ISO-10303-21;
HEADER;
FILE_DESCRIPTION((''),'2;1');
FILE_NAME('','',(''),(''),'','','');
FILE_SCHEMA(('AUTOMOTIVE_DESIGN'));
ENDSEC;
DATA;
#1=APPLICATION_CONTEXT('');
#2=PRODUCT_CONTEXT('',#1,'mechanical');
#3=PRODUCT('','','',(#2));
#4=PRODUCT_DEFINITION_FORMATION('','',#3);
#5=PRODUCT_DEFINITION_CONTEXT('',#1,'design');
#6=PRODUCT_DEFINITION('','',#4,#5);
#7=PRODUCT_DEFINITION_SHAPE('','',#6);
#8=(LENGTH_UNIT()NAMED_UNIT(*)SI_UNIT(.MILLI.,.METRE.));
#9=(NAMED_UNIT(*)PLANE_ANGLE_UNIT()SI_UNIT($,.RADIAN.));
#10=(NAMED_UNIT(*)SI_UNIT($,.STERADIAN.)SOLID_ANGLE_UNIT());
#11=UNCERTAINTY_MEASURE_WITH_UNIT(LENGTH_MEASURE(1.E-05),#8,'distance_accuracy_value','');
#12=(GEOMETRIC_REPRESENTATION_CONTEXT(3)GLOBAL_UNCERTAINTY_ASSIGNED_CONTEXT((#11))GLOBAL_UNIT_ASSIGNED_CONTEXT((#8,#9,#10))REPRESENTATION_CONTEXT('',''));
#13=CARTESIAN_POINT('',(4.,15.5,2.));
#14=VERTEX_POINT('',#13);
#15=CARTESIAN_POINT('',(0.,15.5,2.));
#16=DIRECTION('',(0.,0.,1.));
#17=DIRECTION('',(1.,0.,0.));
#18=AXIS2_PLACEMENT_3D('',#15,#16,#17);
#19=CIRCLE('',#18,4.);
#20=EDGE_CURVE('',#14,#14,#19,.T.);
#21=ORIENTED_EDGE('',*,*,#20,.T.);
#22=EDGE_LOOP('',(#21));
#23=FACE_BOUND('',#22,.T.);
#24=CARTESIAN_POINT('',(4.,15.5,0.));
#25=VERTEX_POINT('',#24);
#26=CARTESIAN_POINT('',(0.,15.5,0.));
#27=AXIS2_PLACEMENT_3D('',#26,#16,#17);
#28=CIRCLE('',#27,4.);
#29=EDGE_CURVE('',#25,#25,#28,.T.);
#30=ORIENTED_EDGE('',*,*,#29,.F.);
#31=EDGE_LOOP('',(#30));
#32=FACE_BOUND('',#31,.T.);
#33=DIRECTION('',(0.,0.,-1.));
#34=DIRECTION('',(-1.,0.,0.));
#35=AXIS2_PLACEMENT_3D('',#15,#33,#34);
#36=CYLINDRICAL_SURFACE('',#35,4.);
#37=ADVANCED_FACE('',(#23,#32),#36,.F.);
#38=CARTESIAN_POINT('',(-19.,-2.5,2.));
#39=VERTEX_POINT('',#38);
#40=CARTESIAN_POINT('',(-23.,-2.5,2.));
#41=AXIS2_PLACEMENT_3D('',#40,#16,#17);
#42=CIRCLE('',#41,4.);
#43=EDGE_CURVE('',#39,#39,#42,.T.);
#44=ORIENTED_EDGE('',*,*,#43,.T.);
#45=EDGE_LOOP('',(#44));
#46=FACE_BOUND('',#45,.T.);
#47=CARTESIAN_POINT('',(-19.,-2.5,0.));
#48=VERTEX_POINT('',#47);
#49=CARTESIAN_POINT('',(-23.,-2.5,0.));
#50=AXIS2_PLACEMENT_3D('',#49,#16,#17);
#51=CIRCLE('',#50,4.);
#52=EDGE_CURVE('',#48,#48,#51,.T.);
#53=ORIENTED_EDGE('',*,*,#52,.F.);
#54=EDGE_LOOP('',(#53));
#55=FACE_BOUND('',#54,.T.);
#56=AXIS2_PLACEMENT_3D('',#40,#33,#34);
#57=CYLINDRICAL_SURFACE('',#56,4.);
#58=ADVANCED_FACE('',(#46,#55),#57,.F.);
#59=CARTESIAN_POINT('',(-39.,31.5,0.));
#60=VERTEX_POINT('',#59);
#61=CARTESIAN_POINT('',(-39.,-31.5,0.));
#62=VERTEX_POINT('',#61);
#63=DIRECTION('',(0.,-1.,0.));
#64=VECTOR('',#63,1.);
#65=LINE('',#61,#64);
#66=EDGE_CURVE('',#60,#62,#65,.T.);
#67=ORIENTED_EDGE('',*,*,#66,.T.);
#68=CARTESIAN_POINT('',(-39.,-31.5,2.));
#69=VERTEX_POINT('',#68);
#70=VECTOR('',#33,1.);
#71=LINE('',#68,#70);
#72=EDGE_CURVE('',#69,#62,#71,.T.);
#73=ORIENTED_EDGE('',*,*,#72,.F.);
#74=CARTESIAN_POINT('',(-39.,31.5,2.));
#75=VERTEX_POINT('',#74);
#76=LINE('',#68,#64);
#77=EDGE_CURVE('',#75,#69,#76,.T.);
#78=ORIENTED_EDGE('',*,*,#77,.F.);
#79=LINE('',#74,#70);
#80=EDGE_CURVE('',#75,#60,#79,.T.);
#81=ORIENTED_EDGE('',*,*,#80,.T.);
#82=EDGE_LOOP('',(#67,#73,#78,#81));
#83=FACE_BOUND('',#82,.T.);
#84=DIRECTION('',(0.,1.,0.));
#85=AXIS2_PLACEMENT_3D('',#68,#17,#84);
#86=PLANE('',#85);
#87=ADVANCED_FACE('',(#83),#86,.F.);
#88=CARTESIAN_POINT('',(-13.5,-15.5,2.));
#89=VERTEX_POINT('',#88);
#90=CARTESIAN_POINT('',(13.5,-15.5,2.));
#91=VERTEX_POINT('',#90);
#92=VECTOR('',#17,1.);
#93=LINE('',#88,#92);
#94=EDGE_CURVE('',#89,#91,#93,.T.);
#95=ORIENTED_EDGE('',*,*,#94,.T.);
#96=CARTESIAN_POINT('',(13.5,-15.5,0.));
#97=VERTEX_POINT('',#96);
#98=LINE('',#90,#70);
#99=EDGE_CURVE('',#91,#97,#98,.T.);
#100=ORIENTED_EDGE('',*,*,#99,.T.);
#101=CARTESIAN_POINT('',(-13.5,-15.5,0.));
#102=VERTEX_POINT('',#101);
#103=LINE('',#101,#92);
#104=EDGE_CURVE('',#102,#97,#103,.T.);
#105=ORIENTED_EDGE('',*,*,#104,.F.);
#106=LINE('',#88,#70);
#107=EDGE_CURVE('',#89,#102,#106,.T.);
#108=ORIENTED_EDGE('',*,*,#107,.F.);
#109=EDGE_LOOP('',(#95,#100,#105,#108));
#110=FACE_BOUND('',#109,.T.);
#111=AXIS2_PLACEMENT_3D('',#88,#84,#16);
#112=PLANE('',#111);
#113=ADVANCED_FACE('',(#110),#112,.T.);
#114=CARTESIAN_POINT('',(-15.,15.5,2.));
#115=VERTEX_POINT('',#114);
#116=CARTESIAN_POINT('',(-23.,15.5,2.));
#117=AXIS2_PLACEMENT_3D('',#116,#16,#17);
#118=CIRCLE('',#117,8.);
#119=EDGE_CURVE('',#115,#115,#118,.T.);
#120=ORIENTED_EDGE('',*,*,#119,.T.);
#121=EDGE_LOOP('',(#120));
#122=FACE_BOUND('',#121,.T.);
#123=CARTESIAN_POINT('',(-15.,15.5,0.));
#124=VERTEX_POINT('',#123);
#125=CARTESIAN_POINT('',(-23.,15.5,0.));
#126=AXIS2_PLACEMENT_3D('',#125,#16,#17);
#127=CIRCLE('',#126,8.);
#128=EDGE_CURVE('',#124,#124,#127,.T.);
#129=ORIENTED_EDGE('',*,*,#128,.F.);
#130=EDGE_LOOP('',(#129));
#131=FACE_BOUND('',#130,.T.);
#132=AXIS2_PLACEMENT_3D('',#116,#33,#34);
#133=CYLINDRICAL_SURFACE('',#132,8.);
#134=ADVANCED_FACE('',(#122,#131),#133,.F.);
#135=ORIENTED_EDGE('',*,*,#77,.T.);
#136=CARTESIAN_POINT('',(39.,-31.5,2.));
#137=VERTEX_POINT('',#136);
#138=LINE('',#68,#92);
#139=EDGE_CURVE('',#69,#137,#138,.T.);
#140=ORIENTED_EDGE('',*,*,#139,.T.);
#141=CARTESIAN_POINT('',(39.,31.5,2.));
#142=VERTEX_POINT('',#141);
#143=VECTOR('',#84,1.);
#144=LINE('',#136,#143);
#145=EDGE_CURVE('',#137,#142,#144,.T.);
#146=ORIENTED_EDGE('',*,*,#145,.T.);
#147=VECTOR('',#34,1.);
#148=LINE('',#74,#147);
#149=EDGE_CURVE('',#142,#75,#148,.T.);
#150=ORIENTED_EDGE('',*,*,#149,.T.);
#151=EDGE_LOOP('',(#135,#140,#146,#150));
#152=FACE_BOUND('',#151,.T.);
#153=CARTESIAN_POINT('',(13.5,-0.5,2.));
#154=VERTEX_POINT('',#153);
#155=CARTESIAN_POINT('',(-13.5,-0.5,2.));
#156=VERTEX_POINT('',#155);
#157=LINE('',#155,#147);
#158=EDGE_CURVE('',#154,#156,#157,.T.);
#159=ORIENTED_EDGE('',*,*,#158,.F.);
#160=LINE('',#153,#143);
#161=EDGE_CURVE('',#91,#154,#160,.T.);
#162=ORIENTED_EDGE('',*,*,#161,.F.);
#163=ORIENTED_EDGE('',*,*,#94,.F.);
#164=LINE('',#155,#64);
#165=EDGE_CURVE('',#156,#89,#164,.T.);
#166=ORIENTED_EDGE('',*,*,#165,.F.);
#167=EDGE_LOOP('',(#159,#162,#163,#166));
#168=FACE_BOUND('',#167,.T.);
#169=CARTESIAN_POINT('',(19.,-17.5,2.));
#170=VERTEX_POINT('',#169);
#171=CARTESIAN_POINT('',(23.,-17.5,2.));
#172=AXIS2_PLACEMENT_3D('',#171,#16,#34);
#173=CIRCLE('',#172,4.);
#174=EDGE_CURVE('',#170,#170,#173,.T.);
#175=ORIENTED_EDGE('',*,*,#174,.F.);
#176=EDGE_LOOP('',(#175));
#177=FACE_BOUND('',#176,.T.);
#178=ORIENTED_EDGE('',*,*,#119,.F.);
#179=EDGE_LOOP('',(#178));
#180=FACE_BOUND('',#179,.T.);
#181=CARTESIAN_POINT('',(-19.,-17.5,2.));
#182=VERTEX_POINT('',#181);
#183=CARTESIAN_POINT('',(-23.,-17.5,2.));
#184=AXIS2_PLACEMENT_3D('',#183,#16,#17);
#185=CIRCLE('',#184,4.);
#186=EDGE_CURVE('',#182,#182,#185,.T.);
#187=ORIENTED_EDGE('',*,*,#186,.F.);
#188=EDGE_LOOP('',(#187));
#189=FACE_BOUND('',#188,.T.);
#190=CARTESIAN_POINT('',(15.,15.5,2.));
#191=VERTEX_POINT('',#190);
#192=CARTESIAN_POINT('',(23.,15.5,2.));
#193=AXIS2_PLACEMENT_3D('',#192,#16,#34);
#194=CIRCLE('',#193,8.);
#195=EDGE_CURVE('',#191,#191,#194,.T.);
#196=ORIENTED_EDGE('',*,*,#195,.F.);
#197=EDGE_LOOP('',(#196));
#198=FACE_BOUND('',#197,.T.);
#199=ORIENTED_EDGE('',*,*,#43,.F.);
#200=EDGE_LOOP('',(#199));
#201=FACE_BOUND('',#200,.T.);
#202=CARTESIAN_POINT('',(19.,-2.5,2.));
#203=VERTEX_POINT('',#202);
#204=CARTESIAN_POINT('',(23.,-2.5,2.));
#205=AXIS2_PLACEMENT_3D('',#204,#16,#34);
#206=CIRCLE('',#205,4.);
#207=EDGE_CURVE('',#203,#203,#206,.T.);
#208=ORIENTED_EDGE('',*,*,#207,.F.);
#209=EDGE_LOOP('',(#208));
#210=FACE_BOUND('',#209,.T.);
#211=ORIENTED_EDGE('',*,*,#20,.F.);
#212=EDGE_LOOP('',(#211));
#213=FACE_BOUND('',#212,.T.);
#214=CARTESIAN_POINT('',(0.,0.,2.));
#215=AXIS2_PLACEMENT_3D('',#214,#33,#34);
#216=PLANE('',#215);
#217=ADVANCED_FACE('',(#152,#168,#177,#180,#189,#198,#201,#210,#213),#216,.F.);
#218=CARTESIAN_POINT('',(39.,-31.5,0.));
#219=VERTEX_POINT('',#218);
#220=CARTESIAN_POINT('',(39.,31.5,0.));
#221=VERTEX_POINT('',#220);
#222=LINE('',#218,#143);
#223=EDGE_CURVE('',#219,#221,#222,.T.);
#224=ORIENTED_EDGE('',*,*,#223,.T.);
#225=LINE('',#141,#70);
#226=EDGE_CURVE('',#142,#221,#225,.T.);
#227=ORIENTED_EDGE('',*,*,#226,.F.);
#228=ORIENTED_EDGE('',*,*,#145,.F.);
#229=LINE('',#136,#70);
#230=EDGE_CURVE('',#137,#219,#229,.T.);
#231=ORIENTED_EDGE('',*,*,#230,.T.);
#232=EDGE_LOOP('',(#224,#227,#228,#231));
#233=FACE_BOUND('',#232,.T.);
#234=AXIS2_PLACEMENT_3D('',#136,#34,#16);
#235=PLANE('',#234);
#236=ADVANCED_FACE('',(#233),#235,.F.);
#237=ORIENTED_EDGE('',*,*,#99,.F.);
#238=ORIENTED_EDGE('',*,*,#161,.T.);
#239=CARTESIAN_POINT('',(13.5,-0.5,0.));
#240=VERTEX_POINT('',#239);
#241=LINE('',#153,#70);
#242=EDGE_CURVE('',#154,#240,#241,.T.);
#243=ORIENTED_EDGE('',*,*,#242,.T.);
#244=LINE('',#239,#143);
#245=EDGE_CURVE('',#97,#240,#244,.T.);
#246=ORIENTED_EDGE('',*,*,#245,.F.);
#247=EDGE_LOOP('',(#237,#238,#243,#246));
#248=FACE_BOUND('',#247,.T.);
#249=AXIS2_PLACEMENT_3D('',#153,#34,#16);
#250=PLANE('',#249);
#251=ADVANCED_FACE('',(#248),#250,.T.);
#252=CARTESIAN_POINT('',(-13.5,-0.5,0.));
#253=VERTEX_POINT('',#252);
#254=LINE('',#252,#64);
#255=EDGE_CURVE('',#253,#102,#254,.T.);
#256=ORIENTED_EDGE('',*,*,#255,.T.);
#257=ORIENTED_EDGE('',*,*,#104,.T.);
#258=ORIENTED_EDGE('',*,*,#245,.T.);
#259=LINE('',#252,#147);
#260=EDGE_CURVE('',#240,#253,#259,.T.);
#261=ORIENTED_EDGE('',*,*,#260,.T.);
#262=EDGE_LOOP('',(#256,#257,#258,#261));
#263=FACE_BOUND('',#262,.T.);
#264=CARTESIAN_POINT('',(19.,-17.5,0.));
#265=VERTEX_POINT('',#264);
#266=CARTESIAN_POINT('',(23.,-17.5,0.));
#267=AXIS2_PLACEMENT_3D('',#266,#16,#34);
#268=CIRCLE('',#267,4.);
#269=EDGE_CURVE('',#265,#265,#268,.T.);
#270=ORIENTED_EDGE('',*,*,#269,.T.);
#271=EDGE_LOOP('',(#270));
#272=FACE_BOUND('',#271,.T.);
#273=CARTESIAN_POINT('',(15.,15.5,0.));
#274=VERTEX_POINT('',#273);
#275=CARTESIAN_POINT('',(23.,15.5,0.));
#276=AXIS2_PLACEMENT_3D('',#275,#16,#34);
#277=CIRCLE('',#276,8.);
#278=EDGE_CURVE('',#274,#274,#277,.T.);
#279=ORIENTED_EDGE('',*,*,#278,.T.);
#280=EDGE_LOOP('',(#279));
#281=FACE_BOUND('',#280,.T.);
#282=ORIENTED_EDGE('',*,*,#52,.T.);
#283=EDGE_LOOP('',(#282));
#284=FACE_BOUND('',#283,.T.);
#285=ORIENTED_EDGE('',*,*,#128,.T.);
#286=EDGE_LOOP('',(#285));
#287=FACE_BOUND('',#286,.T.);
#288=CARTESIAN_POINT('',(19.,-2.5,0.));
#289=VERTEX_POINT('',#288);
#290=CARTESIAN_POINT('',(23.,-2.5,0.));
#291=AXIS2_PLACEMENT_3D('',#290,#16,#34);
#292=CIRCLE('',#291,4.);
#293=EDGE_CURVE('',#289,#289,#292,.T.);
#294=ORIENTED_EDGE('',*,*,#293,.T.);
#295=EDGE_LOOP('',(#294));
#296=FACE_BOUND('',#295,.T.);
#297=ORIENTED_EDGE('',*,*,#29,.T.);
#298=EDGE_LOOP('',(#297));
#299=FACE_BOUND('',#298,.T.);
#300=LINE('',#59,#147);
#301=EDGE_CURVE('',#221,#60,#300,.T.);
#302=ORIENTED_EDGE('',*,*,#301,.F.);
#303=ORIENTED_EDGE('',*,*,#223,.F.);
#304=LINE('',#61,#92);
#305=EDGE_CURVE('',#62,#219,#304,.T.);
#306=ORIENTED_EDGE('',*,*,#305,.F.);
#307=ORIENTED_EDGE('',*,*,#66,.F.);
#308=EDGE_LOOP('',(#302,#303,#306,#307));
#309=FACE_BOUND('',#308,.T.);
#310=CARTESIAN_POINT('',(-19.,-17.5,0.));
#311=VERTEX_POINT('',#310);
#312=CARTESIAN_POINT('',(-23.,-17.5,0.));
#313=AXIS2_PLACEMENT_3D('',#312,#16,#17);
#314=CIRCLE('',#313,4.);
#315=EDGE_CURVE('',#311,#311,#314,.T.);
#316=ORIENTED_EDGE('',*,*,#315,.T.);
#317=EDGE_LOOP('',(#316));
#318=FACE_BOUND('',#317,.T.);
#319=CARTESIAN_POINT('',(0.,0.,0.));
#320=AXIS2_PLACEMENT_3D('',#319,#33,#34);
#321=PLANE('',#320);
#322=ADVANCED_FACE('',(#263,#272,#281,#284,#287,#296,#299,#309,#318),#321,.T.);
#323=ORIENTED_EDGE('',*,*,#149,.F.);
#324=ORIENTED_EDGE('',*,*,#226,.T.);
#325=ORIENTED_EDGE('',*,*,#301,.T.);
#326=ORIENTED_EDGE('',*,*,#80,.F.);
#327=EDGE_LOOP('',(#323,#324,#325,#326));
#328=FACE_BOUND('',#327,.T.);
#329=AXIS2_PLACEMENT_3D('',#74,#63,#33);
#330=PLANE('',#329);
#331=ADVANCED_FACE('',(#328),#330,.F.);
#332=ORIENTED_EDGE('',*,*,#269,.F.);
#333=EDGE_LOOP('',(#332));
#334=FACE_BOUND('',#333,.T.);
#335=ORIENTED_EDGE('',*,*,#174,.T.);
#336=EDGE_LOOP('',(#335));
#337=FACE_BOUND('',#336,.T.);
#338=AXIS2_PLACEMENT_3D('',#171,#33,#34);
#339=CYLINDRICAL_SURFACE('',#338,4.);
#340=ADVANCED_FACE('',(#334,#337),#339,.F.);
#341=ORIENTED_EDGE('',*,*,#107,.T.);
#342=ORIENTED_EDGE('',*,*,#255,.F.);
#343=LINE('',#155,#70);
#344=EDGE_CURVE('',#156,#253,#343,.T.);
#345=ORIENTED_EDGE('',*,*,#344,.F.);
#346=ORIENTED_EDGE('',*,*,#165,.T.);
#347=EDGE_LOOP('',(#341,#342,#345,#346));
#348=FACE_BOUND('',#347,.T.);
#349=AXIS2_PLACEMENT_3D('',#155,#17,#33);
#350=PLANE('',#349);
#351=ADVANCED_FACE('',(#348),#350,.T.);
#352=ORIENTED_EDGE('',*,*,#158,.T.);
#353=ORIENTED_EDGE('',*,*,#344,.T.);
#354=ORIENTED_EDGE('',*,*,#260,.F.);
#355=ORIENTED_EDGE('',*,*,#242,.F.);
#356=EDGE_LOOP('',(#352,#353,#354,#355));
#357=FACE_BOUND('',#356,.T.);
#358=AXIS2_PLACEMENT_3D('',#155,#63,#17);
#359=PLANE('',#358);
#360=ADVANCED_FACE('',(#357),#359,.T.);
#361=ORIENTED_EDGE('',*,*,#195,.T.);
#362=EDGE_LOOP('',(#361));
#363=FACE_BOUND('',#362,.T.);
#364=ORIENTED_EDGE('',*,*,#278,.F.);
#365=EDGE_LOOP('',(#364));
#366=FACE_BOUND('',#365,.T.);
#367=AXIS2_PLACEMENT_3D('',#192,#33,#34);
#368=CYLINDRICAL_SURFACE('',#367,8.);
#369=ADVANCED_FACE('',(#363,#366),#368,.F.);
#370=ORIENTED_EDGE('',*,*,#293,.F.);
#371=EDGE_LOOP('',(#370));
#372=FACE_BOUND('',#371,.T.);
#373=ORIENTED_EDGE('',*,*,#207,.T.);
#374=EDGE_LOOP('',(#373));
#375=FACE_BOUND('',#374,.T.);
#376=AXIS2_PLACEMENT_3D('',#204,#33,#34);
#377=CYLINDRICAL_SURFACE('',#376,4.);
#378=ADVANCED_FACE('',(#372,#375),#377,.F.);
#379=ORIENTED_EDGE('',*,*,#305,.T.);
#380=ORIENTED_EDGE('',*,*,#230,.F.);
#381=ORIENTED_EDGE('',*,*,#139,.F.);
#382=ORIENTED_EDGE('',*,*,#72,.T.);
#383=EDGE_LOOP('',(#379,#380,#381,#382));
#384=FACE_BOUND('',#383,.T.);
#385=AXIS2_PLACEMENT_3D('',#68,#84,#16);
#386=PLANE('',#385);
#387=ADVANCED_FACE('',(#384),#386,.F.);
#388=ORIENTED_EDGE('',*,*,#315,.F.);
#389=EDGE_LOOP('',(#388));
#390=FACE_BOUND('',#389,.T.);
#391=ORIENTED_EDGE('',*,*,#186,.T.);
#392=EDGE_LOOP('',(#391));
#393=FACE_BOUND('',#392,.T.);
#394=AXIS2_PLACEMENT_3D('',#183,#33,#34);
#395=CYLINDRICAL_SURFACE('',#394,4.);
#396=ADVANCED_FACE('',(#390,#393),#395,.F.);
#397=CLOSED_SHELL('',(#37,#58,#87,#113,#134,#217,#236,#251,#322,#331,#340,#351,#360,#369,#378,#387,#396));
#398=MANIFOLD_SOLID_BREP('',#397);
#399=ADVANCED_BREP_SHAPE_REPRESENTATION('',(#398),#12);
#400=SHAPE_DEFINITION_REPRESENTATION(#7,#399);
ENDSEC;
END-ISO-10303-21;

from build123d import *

# Parameters (mm, degrees)
SKETCH1_W           = 78
SKETCH1_H           = 63
SKETCH1_R           = 8
SKETCH1_R_2         = 4
SKETCH1_W_2         = 27
SKETCH1_H_2         = 15
BOSS_EXTRUDE1_DEPTH = 2


with BuildPart() as part:
    # Sketch1 → Boss-Extrude1 (new body)
    with BuildSketch(Plane.XY):
        Rectangle(SKETCH1_W, SKETCH1_H)
        with Locations(Location((23, 15.5, 0), (0, 0, 180))):
            Circle(SKETCH1_R, mode=Mode.SUBTRACT)
        with Locations((0, 15.5)):
            Circle(SKETCH1_R_2, mode=Mode.SUBTRACT)
        with Locations((-23, -17.5)):
            Circle(SKETCH1_R_2, mode=Mode.SUBTRACT)
        with Locations(Location((23, -2.5, 0), (0, 0, 180))):
            Circle(SKETCH1_R_2, mode=Mode.SUBTRACT)
        with Locations(Location((23, -17.5, 0), (0, 0, 180))):
            Circle(SKETCH1_R_2, mode=Mode.SUBTRACT)
        with Locations((-23, -2.5)):
            Circle(SKETCH1_R_2, mode=Mode.SUBTRACT)
        with Locations((-23, 15.5)):
            Circle(SKETCH1_R, mode=Mode.SUBTRACT)
        with Locations((0, -8)):
            Rectangle(SKETCH1_W_2, SKETCH1_H_2, mode=Mode.SUBTRACT)
    extrude(amount=BOSS_EXTRUDE1_DEPTH)


solid = part.part
